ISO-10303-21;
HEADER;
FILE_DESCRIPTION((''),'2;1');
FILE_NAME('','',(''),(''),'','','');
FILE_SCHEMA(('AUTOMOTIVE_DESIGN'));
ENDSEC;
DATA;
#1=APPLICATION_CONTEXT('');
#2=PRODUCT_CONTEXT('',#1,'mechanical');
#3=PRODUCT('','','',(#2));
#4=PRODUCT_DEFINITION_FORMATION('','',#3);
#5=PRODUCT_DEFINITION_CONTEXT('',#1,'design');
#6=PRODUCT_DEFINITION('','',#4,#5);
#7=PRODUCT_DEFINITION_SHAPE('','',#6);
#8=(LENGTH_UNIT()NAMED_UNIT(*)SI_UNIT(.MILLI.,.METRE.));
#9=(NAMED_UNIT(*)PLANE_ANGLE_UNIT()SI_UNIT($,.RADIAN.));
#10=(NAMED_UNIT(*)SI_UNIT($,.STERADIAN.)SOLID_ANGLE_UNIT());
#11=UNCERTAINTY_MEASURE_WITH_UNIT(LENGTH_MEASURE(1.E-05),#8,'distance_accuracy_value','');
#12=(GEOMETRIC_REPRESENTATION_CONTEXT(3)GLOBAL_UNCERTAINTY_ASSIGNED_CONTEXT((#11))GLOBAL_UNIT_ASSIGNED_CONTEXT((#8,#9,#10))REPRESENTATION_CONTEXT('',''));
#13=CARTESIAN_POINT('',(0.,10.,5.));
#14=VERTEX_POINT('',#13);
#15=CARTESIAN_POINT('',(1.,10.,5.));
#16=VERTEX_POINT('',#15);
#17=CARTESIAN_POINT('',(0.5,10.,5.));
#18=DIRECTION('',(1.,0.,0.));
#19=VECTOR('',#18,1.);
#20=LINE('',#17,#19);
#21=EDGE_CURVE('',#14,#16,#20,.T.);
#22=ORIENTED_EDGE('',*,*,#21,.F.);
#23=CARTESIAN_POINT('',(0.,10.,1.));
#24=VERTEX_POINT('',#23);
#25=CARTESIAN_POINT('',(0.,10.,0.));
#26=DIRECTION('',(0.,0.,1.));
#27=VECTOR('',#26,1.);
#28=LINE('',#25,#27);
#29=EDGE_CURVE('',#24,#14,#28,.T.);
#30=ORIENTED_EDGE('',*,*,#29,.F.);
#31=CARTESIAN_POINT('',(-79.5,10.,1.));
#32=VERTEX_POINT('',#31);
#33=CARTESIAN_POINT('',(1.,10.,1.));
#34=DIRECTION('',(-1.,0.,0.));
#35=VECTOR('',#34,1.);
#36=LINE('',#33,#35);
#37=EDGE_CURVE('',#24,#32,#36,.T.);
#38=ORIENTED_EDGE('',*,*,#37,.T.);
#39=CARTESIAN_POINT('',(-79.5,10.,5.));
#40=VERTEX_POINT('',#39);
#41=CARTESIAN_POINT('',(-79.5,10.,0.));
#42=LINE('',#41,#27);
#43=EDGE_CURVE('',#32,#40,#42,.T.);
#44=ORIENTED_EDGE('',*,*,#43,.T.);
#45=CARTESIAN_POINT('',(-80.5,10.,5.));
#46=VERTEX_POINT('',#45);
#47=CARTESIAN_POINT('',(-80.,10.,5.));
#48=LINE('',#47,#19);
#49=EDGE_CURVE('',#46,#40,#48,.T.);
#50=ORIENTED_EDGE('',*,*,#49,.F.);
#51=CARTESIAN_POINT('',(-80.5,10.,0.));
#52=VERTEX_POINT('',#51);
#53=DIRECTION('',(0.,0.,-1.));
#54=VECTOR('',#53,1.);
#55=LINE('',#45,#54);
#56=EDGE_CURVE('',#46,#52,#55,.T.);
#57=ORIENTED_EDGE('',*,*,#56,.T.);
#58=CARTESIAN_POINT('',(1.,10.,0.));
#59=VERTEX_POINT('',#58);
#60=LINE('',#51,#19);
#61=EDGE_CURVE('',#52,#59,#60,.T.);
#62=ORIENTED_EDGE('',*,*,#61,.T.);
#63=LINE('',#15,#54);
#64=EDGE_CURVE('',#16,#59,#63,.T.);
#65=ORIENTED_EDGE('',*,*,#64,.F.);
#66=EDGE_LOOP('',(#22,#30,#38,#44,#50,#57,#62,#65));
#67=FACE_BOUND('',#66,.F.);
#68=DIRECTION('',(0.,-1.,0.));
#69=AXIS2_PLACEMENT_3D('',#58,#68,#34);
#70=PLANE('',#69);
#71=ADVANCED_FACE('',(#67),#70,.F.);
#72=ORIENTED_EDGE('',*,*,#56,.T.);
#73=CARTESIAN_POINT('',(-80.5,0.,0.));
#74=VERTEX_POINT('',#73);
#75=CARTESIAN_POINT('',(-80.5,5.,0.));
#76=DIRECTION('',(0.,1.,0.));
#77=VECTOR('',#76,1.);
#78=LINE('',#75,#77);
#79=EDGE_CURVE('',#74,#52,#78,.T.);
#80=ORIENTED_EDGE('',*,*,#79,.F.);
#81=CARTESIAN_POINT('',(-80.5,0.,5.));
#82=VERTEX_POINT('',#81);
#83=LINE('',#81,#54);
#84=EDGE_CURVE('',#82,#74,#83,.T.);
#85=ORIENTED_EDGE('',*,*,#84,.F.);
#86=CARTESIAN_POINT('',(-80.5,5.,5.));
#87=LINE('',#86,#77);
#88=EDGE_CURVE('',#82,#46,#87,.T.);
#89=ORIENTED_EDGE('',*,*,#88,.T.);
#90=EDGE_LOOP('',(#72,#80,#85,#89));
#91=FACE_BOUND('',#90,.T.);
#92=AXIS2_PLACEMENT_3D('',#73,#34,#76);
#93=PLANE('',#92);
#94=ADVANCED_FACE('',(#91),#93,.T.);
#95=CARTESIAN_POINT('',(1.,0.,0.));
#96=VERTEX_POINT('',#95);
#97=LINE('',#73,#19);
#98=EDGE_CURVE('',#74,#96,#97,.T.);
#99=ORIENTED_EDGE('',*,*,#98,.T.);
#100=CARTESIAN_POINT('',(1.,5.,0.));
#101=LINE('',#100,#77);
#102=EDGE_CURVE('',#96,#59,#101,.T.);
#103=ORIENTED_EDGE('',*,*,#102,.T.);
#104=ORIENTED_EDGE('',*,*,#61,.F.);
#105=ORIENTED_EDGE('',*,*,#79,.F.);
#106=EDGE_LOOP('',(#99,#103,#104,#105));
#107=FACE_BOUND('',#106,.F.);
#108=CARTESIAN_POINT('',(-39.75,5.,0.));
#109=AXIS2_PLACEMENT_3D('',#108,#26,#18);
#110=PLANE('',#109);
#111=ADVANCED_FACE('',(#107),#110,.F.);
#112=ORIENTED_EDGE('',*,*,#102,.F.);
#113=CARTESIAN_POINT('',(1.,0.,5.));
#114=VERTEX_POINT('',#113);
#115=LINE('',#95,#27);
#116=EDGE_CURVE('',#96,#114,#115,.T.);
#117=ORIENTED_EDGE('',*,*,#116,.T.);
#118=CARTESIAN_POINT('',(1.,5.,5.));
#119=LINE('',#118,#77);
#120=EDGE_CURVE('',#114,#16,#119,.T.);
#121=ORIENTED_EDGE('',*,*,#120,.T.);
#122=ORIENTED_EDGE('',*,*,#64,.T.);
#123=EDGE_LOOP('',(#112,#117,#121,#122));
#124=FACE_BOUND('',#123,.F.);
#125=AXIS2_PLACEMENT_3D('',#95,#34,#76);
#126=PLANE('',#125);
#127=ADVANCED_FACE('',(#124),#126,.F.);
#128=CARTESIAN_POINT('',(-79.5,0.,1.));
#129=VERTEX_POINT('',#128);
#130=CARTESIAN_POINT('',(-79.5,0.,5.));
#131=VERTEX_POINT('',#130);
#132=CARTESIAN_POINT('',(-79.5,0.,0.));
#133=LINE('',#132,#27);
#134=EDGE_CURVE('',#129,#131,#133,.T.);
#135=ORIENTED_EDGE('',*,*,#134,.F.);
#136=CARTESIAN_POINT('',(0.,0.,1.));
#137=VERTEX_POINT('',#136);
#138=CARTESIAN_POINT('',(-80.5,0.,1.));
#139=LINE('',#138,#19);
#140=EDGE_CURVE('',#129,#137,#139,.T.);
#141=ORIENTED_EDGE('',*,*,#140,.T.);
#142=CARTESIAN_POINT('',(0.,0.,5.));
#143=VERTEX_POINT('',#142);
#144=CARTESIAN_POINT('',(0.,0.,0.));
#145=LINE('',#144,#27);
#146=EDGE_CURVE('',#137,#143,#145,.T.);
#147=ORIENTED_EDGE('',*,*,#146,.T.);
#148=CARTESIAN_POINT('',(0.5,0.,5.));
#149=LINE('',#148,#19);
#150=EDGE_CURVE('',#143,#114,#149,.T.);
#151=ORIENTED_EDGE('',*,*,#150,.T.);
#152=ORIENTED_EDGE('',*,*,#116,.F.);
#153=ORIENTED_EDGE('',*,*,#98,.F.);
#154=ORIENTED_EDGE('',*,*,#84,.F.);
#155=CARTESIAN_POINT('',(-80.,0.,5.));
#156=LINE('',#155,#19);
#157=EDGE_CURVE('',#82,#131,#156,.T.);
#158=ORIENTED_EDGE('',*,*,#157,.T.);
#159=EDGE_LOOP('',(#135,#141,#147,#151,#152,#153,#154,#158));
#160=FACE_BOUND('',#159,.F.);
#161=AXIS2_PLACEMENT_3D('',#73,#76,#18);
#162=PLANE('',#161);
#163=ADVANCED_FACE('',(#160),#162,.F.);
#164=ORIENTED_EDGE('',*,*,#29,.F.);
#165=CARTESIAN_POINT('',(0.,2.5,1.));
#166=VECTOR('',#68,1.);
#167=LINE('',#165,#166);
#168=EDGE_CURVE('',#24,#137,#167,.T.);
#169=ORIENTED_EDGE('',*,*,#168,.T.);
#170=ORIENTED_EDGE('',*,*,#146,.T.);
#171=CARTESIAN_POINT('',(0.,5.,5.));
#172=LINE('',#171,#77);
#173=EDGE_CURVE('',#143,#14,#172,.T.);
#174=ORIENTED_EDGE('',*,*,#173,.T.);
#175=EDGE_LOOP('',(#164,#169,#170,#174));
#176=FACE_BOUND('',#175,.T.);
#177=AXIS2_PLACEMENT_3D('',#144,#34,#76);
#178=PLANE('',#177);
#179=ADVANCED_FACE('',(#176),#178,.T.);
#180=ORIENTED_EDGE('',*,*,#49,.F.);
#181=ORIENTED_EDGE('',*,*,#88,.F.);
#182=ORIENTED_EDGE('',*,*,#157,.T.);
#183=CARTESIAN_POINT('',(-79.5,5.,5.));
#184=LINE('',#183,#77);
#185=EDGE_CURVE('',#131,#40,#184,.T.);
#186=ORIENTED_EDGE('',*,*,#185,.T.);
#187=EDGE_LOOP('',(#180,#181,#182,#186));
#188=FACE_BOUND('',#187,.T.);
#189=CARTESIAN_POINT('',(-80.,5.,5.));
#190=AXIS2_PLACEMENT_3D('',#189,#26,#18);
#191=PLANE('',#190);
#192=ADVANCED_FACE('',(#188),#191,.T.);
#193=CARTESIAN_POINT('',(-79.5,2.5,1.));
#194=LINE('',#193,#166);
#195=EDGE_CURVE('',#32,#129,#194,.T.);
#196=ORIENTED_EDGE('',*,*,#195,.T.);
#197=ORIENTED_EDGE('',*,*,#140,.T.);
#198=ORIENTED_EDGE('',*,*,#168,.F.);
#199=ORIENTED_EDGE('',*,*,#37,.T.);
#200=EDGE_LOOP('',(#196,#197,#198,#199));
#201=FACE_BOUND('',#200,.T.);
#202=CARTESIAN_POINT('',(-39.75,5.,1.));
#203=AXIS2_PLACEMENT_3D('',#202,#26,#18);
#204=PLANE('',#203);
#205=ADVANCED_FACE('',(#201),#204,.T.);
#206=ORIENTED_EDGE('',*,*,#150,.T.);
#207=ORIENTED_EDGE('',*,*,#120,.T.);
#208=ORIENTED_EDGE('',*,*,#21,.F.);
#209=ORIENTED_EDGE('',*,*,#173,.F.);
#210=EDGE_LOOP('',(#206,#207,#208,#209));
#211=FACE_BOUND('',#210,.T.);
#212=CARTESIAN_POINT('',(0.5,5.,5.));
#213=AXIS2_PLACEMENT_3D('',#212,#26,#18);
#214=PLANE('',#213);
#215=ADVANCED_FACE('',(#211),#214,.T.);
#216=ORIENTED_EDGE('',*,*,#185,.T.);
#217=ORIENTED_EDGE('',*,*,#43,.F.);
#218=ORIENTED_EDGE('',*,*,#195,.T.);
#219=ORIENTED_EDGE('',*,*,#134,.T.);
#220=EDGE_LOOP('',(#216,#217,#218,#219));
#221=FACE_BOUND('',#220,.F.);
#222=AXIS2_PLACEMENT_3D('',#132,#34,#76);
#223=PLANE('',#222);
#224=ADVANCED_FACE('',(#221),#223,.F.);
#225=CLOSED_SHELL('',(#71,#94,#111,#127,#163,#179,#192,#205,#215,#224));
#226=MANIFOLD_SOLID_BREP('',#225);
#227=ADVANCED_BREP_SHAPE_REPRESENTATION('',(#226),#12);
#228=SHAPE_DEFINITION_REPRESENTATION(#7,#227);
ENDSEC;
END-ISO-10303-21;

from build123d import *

# Parameters (mm, degrees)
F0_W     = 79.5
F0_H     = 10
F0_W_2   = 1
F1_DEPTH = 1
F2_DEPTH = 5


with BuildPart() as f1:
    # F0 (on Top) → F1 (new body)
    with BuildSketch(Plane.XY):
        with Locations((-39.75, 5)):
            Rectangle(F0_W, F0_H)
        with Locations((0.5, 5)):
            Rectangle(F0_W_2, F0_H)
        with Locations((-80, 5)):
            Rectangle(F0_W_2, F0_H)
    extrude(amount=F1_DEPTH)

    # F0 (on Top) → F2 (join)
    with BuildSketch(Plane.XY):
        with Locations((-80, 5)):
            Rectangle(F0_W_2, F0_H)
        with Locations((0.5, 5)):
            Rectangle(F0_W_2, F0_H)
    extrude(amount=F2_DEPTH)


solid = f1.part
